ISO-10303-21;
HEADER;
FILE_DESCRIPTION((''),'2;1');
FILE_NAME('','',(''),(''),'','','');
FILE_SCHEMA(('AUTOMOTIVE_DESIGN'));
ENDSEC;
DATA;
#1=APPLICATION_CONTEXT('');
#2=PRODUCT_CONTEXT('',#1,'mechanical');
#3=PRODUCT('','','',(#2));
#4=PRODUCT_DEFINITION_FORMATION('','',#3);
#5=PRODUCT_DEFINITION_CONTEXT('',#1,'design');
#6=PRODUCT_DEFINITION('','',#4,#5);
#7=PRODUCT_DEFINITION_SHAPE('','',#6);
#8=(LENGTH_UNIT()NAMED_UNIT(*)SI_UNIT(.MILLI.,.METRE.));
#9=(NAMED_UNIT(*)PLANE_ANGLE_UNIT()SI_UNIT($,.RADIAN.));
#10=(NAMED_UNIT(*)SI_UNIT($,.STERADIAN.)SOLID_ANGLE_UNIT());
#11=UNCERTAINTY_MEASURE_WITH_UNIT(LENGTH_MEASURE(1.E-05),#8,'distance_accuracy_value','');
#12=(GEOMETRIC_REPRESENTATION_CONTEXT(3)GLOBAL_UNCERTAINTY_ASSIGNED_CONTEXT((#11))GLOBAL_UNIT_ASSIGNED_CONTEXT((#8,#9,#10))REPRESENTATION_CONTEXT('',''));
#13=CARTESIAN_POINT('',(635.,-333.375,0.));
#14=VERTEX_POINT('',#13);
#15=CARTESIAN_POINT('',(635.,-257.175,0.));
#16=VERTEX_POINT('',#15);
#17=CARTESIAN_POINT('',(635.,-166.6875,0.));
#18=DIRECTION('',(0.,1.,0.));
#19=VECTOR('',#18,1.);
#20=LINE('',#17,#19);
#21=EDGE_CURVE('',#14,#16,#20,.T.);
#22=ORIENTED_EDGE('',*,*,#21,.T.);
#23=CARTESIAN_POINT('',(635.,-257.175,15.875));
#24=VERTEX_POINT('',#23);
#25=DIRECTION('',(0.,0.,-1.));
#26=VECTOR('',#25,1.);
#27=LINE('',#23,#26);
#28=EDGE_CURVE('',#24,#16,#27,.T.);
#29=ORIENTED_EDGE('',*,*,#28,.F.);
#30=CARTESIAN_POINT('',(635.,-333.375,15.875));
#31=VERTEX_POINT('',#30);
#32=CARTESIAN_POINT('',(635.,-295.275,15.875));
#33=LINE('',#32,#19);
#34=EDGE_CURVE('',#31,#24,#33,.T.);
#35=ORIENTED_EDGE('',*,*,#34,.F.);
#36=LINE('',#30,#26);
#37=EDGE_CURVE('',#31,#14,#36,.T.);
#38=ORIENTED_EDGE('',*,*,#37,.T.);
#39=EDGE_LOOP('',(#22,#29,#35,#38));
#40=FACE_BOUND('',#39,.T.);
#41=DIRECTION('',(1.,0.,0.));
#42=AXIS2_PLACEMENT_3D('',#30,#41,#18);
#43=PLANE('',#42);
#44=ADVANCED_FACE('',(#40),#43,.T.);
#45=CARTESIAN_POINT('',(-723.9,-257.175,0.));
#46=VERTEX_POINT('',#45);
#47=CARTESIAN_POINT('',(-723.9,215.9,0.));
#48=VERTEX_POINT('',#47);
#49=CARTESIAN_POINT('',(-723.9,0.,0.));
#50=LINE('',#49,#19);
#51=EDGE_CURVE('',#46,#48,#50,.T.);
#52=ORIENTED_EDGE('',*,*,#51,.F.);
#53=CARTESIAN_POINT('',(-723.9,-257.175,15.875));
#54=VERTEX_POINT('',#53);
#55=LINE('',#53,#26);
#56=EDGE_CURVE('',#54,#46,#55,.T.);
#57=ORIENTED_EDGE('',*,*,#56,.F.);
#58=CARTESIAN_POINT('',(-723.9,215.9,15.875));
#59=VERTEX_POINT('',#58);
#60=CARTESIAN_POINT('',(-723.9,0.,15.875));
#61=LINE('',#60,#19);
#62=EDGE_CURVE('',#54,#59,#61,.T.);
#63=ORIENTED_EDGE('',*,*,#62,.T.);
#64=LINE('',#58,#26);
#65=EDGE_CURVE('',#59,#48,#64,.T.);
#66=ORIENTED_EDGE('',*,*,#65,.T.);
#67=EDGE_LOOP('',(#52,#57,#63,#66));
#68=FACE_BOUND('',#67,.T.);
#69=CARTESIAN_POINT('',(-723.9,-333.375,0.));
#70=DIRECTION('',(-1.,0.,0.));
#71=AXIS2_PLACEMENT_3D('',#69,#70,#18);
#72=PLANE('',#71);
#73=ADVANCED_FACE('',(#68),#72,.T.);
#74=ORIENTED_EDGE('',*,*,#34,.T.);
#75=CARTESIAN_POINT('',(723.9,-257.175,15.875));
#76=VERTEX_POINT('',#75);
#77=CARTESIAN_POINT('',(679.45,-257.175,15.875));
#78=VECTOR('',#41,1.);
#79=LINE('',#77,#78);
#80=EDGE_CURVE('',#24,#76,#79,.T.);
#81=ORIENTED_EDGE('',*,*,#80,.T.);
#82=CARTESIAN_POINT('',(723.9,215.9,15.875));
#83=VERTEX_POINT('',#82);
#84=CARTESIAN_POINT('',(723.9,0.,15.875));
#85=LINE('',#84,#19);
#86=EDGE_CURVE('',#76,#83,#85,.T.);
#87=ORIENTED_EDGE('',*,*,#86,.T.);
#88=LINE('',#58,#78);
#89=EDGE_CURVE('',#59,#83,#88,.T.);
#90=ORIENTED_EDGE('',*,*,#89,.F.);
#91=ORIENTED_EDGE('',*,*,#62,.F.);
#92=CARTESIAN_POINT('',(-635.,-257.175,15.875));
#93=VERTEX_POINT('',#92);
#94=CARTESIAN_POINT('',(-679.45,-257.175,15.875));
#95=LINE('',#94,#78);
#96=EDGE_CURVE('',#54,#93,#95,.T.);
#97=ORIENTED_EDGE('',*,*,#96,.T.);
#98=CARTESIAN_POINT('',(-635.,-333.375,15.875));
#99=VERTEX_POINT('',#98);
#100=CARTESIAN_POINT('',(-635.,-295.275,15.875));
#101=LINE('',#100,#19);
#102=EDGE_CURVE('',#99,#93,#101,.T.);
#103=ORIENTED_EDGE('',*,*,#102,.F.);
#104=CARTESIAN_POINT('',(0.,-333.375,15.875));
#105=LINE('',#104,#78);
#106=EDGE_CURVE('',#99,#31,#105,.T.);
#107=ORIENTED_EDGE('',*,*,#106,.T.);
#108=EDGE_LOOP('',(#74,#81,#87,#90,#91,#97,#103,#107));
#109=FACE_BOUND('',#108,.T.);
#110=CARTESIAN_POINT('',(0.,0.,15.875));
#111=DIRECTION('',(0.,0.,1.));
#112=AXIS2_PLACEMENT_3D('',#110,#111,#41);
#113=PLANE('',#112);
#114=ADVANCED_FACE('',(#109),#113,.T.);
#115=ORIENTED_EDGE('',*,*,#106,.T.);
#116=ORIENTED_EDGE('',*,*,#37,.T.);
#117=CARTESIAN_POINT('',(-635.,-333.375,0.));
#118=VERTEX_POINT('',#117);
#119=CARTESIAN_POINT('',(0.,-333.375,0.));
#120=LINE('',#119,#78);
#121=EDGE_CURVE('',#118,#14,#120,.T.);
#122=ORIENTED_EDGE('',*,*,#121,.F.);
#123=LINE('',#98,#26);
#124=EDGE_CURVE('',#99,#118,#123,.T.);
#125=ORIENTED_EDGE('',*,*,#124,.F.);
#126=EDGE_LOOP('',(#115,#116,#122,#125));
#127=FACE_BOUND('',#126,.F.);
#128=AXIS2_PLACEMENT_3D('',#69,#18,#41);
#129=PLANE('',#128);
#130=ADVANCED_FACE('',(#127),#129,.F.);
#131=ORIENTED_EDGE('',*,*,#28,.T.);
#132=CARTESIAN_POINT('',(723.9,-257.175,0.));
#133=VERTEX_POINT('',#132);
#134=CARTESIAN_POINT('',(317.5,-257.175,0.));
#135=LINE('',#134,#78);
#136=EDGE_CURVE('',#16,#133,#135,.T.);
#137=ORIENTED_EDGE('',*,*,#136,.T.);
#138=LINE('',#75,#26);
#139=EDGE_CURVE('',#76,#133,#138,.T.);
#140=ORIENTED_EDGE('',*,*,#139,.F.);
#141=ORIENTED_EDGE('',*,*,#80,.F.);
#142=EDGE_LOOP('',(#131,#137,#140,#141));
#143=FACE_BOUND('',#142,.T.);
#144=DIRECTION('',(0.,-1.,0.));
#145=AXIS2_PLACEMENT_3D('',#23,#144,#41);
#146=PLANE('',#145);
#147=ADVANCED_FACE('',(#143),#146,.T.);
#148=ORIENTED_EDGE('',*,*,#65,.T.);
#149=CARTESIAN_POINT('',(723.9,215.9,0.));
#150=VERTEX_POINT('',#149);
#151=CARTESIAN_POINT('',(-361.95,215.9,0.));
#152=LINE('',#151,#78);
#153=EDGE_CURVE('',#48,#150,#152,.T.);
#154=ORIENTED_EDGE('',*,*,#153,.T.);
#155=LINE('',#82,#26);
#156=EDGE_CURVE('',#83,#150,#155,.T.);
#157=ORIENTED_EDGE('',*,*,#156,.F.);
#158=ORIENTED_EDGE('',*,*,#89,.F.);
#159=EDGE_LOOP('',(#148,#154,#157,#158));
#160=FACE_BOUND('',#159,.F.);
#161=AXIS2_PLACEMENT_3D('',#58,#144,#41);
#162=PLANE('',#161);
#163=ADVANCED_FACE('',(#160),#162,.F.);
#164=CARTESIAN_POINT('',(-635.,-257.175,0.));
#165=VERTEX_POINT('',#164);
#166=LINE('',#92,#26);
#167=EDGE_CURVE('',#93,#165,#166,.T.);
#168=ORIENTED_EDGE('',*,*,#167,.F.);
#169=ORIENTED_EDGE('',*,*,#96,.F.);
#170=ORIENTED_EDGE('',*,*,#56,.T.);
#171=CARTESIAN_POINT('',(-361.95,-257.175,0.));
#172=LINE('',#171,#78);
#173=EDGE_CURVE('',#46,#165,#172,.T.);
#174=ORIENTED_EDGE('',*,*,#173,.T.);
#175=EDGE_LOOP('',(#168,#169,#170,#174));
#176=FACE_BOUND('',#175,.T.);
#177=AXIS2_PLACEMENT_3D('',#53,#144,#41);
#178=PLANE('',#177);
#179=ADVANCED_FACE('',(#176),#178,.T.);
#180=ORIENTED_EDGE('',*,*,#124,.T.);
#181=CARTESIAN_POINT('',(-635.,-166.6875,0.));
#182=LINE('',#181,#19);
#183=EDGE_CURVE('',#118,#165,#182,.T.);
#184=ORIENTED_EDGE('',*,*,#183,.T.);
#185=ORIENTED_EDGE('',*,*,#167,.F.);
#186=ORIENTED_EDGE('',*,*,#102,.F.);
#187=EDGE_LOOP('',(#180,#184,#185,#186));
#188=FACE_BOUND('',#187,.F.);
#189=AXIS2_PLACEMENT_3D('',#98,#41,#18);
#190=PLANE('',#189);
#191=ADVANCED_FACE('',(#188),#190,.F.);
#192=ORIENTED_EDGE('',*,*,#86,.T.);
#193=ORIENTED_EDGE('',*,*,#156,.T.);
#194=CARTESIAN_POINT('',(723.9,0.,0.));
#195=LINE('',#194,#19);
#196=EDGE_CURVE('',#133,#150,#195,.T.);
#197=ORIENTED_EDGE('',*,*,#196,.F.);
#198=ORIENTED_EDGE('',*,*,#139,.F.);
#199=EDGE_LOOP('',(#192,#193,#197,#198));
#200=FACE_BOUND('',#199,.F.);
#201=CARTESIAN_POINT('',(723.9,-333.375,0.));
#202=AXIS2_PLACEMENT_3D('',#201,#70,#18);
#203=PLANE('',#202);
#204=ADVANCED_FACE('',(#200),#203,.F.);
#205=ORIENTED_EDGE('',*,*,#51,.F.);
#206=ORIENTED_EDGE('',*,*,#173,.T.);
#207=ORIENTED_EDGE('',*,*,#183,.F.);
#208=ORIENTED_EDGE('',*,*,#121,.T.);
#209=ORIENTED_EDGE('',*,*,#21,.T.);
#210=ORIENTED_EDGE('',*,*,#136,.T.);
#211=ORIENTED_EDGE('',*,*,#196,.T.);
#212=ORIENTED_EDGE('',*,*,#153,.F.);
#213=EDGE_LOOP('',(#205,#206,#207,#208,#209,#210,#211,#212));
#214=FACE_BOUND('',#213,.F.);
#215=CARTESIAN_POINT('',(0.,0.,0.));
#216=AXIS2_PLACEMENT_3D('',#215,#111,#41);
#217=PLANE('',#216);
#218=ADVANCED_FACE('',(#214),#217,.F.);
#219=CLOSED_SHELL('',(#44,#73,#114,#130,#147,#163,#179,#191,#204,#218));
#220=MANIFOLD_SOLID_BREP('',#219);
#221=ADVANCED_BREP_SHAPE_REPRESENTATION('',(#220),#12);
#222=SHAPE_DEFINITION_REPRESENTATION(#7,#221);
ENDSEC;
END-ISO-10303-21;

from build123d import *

# Parameters (mm, degrees)
F0_W     = 1447.8
F0_H     = 666.75
F1_DEPTH = 15.875
F2_W     = 88.9
F2_H     = 76.2
F3_DEPTH = 15.876
F4_W     = 1270
F4_H     = 76.2
F5_DEPTH = 15.876


with BuildPart() as f1:
    # F0 (on Top) → F1 (new body)
    with BuildSketch(Plane.XY):
        Rectangle(F0_W, F0_H)
    extrude(amount=F1_DEPTH)

    # F2 (on face) → F3 (cut, through all)
    with BuildSketch(Plane.XY.offset(15.875)):
        with Locations((-679.45, -295.275)):
            Rectangle(F2_W, F2_H)
        with Locations((-679.45, 295.275)):
            Rectangle(F2_W, F2_H)
        with Locations((679.45, 295.275)):
            Rectangle(F2_W, F2_H)
        with Locations((679.45, -295.275)):
            Rectangle(F2_W, F2_H)
    extrude(amount=-F3_DEPTH, mode=Mode.SUBTRACT)

    # F4 (on face) → F5 (cut, through all)
    with BuildSketch(Plane.XY.offset(15.875)):
        Polygon((-723.9, 257.175), (-723.9, 215.9), (723.9, 215.9), (723.9, 257.175), (635, 257.175), (-635, 257.175), align=None)
        with Locations((0, 295.275)):
            Rectangle(F4_W, F4_H)
    extrude(amount=-F5_DEPTH, mode=Mode.SUBTRACT)


solid = f1.part
